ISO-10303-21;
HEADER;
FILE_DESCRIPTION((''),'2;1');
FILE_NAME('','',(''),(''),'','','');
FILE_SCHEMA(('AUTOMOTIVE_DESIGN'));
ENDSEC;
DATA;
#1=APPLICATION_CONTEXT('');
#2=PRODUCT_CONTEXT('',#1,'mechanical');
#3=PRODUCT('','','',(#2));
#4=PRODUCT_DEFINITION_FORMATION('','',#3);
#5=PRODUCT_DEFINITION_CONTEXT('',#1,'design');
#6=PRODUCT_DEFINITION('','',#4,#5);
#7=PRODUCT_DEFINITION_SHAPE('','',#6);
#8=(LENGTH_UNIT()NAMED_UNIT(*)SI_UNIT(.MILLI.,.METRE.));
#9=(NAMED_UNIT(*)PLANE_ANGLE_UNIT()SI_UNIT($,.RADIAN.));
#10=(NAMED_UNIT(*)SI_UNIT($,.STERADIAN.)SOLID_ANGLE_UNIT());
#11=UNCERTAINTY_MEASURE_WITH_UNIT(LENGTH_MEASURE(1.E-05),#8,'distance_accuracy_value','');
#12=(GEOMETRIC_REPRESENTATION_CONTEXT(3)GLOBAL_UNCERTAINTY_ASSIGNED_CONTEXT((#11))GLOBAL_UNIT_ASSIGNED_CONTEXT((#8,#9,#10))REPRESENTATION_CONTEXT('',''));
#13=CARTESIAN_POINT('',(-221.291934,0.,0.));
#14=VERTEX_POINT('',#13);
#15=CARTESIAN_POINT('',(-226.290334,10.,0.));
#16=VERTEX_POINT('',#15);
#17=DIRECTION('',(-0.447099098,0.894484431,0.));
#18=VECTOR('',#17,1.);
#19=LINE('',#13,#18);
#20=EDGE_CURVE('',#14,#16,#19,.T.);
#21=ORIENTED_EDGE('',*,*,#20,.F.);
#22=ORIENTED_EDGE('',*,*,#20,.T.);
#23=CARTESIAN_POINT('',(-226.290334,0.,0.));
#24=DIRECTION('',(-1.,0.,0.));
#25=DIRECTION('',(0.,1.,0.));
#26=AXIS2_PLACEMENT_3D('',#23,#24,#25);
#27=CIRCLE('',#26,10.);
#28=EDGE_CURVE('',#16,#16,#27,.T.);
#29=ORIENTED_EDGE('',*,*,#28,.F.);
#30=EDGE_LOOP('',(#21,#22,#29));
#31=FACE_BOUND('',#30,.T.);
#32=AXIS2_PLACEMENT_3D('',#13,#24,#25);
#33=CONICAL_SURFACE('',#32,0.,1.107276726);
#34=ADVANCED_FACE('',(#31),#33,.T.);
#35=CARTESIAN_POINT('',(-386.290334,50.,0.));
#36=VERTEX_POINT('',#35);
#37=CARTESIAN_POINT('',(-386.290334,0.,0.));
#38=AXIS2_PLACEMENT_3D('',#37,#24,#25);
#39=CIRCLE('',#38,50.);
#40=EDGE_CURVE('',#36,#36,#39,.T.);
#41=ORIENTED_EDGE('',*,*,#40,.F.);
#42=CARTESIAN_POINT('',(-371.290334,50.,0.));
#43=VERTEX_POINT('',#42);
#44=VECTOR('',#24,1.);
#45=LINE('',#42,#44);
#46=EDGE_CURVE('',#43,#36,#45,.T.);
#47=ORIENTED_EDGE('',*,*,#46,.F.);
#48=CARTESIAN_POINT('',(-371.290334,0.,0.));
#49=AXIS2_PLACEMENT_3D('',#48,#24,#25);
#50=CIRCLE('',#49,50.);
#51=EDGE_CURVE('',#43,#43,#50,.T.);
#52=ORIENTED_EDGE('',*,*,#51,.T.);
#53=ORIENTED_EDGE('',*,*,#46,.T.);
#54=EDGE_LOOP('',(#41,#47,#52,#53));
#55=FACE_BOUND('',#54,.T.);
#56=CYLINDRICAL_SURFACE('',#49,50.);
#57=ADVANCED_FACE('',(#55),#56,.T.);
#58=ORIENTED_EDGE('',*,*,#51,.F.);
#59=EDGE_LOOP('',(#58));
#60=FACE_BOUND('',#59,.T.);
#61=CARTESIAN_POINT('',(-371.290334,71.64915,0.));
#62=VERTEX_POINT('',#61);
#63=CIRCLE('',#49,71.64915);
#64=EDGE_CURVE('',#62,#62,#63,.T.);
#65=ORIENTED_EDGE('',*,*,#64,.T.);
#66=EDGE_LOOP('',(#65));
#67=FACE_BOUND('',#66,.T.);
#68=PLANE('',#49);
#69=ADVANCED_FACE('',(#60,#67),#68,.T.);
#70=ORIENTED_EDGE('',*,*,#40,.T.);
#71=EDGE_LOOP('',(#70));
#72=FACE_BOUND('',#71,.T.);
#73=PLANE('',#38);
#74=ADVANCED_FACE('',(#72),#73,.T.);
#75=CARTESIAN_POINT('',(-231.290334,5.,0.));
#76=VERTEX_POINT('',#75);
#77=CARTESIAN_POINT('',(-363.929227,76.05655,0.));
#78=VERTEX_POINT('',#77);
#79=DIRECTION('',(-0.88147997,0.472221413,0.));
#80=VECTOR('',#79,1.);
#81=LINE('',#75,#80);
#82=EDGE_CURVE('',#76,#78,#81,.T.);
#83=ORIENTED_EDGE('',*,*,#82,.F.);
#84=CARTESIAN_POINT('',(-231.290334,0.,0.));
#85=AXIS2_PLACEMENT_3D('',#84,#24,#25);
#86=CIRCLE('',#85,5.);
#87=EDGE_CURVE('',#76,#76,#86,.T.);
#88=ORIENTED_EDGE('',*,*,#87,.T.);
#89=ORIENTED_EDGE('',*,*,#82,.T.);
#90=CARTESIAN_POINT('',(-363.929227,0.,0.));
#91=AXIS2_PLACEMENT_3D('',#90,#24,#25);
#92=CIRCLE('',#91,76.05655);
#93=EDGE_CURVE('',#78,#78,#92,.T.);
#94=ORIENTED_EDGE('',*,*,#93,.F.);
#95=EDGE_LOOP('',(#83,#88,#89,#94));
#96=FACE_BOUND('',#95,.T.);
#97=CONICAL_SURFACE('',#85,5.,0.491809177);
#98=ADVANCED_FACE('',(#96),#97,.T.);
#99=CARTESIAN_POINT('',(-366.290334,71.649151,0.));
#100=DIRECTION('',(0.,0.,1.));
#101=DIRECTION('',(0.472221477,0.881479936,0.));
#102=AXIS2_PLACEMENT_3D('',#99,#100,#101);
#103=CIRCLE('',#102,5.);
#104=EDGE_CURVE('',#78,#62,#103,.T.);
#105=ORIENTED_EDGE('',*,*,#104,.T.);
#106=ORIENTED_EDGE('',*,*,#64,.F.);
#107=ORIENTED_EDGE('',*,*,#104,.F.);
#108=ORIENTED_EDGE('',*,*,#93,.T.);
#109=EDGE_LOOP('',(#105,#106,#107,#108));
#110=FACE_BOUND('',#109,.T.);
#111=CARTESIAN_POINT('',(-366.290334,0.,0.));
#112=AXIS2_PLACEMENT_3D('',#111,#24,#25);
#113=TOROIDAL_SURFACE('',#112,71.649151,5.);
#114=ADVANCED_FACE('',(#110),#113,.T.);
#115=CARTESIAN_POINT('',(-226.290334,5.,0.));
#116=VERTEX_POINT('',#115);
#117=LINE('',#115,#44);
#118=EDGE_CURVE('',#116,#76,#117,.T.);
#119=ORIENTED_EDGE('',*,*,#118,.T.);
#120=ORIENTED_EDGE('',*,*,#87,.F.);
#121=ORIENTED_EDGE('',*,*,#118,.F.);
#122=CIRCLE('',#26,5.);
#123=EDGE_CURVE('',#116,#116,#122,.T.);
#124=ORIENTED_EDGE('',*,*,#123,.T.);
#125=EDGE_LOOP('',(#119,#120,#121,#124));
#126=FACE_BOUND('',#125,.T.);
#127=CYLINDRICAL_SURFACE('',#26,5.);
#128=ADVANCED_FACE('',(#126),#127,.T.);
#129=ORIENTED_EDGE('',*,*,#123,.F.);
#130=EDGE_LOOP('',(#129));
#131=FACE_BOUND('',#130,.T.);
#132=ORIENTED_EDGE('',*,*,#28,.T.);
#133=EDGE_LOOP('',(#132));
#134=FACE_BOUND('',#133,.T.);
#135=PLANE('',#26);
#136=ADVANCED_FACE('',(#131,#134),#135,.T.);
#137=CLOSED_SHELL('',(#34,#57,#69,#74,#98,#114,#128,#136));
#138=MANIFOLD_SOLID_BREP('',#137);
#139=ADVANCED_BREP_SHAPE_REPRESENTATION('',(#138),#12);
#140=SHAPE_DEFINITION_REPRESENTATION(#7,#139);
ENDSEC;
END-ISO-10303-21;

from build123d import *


with BuildPart() as f1:
    # F0 (on Top) → F1 (revolve)
    with BuildSketch(Plane.XY):
        with BuildLine():
            Line((-386.290334, 50), (-386.290334, 0))
            Line((-386.290334, 0), (-232.966974, 0))
            Line((-232.966974, 0), (-221.291934, 0))
            Line((-221.291934, 0), (-226.290334, 10))
            Line((-226.290334, 10), (-226.290334, 5))
            Line((-226.290334, 5), (-231.290334, 5))
            Line((-231.290334, 5), (-363.929227, 76.05655))
            ThreePointArc((-363.929227, 76.05655), (-368.858842, 75.938995), (-371.290334, 71.64915))
            Line((-371.290334, 71.64915), (-371.290334, 50))
            Line((-371.290334, 50), (-386.290334, 50))
        make_face()
    revolve(axis=Axis((-309.628654, 0, 0), (-1, 0, 0)))


solid = f1.part
